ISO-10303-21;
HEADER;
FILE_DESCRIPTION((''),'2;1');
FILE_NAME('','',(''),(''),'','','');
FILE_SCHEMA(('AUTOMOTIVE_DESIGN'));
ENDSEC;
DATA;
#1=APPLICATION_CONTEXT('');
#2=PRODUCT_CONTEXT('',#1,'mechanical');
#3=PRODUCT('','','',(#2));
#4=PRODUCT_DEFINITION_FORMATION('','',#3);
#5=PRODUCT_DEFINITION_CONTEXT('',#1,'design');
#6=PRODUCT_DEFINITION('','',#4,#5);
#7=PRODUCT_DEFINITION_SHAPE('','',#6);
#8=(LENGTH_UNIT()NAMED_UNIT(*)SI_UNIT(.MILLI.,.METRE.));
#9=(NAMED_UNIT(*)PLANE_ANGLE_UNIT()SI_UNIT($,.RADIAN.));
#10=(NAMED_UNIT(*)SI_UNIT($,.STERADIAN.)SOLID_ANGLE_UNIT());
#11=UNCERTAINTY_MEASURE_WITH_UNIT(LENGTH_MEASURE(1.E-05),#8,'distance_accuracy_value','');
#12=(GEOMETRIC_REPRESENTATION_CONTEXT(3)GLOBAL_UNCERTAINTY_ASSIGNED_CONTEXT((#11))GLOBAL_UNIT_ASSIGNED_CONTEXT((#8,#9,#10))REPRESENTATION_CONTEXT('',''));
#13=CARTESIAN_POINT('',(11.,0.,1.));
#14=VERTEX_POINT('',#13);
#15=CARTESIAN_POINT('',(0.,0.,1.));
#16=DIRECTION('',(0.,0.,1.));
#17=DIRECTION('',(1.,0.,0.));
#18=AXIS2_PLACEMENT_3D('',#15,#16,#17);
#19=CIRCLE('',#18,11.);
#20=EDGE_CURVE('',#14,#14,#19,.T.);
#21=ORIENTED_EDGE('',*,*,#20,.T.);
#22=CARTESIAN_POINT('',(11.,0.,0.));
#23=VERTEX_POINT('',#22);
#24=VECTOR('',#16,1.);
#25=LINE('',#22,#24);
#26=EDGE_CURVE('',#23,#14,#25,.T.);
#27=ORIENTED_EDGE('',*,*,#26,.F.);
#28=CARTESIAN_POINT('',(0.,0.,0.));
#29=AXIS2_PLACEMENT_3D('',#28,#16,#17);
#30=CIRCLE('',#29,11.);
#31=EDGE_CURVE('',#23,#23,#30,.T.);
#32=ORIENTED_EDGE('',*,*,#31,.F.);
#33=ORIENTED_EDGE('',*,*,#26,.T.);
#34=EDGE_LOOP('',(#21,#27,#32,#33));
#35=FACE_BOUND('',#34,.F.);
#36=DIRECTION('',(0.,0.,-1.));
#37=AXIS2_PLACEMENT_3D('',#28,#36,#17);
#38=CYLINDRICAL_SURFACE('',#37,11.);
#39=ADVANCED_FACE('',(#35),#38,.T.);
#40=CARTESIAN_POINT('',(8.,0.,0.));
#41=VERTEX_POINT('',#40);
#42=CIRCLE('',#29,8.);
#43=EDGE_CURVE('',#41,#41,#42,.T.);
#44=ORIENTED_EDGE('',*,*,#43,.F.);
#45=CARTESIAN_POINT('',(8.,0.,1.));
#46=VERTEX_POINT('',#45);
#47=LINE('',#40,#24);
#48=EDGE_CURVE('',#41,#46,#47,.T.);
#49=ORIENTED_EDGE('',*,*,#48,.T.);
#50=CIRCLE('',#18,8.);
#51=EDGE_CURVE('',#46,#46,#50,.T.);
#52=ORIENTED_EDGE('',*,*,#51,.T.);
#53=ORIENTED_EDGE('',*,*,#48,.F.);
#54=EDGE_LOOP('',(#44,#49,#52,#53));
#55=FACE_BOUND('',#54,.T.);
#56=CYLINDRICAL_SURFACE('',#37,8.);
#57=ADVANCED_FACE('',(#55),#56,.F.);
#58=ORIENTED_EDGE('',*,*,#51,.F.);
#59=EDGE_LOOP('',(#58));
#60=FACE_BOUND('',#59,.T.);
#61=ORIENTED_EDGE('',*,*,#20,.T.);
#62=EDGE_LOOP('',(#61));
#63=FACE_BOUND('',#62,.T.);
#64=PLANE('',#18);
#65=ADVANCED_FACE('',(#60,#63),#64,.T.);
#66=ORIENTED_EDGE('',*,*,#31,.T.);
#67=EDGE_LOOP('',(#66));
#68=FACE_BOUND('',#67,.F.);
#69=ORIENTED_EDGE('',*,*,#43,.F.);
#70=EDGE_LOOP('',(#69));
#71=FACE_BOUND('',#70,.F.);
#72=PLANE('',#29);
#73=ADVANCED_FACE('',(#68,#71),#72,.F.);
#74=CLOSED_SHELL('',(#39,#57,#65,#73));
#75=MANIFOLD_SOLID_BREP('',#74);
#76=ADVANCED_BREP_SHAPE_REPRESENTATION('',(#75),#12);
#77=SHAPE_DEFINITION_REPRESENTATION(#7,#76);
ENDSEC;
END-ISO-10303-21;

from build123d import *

# Parameters (mm, degrees)
SKETCH_R   = 11
SKETCH_R_2 = 8
PAD_DEPTH  = 1


with BuildPart() as part:
    # Sketch → Pad (new body)
    with BuildSketch(Plane.XY):
        Circle(SKETCH_R)
        Circle(SKETCH_R_2, mode=Mode.SUBTRACT)
    extrude(amount=PAD_DEPTH)


solid = part.part
